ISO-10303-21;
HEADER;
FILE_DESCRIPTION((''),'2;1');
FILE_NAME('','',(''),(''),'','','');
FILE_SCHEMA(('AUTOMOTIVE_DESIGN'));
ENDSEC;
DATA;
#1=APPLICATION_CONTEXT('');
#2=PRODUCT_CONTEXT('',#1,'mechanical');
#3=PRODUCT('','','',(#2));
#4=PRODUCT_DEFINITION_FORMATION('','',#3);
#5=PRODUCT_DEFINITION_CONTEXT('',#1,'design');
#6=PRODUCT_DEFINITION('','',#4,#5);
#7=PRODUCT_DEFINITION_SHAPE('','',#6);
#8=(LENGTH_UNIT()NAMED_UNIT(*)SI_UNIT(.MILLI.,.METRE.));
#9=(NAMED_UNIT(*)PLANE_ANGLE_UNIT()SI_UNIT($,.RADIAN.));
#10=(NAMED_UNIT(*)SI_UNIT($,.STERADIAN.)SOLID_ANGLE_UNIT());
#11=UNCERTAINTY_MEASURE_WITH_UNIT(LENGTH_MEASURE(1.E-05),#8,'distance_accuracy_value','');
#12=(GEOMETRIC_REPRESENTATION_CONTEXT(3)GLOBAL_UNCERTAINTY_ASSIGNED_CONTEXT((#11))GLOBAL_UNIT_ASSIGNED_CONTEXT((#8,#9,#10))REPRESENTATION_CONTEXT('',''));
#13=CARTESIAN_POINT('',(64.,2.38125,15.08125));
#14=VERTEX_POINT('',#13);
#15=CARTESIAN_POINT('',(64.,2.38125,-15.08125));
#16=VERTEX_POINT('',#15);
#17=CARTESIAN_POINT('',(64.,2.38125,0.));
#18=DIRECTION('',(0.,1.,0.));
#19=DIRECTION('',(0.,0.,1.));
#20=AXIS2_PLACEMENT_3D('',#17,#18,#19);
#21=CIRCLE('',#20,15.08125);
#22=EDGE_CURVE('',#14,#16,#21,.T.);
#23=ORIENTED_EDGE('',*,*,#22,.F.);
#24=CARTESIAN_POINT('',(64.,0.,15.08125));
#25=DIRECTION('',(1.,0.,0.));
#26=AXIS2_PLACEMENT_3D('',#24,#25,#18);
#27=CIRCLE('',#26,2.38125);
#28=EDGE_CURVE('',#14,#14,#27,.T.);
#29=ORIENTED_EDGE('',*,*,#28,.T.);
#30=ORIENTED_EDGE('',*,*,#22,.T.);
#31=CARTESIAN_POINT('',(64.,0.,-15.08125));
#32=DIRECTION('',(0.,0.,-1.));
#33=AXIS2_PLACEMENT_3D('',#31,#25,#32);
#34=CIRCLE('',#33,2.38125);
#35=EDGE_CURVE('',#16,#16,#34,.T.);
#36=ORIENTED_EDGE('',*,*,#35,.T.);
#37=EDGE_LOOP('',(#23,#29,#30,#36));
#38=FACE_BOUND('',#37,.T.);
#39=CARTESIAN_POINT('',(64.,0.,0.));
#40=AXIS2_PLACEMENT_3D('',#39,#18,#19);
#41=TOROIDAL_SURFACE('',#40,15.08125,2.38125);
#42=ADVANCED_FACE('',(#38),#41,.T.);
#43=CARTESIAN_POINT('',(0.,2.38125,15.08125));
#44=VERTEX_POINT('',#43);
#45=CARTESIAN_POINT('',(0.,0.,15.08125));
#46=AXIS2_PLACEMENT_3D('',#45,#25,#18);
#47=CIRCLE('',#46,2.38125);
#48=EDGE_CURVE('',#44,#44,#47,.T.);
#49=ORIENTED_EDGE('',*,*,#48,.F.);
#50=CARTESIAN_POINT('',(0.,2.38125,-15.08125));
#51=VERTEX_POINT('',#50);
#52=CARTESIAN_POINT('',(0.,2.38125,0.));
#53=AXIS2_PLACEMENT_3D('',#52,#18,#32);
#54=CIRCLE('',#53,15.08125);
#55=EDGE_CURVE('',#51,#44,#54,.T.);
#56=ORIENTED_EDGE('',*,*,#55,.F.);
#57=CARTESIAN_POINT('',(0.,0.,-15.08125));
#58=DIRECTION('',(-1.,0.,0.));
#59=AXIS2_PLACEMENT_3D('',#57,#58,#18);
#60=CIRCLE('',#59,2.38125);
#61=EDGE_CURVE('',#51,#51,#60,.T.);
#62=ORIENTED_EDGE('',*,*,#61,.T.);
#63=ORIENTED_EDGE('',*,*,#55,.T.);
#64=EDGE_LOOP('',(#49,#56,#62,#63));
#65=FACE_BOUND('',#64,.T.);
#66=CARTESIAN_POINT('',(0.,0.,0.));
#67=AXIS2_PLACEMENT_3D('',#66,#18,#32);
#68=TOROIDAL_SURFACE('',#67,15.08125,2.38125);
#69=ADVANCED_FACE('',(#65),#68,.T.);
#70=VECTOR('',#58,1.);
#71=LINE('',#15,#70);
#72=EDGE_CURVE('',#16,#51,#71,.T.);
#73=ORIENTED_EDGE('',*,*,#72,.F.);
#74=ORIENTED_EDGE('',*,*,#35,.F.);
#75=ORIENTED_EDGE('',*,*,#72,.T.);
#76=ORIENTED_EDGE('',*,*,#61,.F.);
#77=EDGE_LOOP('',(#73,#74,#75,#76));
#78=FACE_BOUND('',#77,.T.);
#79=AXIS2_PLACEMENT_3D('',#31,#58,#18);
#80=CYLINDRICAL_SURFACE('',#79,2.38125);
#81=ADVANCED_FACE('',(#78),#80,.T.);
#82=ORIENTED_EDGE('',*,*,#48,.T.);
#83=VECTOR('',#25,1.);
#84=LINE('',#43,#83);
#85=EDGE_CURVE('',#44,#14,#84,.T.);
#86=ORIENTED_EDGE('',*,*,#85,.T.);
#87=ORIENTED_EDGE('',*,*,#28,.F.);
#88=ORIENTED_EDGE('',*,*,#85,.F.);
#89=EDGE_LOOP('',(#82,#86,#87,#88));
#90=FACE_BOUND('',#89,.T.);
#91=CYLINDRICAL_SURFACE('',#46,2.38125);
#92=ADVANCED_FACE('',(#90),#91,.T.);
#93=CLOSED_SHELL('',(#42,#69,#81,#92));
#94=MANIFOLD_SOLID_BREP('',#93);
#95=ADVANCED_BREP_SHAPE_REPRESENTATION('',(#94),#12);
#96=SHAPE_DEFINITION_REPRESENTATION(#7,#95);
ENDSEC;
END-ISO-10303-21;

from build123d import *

# Parameters (mm, degrees)
F1_R = 2.38125


with BuildPart() as f2:
    # F2: sweep along a path in F0
    with BuildLine(Plane.XZ) as f2_path:
        Line((0, 12.7), (64, 12.7))
        ThreePointArc((64, 12.7), (76.7, 0), (64, -12.7))
        Line((64, -12.7), (0, -12.7))
        ThreePointArc((0, -12.7), (-12.7, 0), (0, 12.7))
    # F1 (on Right) → F2 (sweep)
    with BuildSketch(Plane.YZ):
        with Locations((0, 15.08125)):
            Circle(F1_R)
    sweep(path=f2_path.line)


solid = f2.part
